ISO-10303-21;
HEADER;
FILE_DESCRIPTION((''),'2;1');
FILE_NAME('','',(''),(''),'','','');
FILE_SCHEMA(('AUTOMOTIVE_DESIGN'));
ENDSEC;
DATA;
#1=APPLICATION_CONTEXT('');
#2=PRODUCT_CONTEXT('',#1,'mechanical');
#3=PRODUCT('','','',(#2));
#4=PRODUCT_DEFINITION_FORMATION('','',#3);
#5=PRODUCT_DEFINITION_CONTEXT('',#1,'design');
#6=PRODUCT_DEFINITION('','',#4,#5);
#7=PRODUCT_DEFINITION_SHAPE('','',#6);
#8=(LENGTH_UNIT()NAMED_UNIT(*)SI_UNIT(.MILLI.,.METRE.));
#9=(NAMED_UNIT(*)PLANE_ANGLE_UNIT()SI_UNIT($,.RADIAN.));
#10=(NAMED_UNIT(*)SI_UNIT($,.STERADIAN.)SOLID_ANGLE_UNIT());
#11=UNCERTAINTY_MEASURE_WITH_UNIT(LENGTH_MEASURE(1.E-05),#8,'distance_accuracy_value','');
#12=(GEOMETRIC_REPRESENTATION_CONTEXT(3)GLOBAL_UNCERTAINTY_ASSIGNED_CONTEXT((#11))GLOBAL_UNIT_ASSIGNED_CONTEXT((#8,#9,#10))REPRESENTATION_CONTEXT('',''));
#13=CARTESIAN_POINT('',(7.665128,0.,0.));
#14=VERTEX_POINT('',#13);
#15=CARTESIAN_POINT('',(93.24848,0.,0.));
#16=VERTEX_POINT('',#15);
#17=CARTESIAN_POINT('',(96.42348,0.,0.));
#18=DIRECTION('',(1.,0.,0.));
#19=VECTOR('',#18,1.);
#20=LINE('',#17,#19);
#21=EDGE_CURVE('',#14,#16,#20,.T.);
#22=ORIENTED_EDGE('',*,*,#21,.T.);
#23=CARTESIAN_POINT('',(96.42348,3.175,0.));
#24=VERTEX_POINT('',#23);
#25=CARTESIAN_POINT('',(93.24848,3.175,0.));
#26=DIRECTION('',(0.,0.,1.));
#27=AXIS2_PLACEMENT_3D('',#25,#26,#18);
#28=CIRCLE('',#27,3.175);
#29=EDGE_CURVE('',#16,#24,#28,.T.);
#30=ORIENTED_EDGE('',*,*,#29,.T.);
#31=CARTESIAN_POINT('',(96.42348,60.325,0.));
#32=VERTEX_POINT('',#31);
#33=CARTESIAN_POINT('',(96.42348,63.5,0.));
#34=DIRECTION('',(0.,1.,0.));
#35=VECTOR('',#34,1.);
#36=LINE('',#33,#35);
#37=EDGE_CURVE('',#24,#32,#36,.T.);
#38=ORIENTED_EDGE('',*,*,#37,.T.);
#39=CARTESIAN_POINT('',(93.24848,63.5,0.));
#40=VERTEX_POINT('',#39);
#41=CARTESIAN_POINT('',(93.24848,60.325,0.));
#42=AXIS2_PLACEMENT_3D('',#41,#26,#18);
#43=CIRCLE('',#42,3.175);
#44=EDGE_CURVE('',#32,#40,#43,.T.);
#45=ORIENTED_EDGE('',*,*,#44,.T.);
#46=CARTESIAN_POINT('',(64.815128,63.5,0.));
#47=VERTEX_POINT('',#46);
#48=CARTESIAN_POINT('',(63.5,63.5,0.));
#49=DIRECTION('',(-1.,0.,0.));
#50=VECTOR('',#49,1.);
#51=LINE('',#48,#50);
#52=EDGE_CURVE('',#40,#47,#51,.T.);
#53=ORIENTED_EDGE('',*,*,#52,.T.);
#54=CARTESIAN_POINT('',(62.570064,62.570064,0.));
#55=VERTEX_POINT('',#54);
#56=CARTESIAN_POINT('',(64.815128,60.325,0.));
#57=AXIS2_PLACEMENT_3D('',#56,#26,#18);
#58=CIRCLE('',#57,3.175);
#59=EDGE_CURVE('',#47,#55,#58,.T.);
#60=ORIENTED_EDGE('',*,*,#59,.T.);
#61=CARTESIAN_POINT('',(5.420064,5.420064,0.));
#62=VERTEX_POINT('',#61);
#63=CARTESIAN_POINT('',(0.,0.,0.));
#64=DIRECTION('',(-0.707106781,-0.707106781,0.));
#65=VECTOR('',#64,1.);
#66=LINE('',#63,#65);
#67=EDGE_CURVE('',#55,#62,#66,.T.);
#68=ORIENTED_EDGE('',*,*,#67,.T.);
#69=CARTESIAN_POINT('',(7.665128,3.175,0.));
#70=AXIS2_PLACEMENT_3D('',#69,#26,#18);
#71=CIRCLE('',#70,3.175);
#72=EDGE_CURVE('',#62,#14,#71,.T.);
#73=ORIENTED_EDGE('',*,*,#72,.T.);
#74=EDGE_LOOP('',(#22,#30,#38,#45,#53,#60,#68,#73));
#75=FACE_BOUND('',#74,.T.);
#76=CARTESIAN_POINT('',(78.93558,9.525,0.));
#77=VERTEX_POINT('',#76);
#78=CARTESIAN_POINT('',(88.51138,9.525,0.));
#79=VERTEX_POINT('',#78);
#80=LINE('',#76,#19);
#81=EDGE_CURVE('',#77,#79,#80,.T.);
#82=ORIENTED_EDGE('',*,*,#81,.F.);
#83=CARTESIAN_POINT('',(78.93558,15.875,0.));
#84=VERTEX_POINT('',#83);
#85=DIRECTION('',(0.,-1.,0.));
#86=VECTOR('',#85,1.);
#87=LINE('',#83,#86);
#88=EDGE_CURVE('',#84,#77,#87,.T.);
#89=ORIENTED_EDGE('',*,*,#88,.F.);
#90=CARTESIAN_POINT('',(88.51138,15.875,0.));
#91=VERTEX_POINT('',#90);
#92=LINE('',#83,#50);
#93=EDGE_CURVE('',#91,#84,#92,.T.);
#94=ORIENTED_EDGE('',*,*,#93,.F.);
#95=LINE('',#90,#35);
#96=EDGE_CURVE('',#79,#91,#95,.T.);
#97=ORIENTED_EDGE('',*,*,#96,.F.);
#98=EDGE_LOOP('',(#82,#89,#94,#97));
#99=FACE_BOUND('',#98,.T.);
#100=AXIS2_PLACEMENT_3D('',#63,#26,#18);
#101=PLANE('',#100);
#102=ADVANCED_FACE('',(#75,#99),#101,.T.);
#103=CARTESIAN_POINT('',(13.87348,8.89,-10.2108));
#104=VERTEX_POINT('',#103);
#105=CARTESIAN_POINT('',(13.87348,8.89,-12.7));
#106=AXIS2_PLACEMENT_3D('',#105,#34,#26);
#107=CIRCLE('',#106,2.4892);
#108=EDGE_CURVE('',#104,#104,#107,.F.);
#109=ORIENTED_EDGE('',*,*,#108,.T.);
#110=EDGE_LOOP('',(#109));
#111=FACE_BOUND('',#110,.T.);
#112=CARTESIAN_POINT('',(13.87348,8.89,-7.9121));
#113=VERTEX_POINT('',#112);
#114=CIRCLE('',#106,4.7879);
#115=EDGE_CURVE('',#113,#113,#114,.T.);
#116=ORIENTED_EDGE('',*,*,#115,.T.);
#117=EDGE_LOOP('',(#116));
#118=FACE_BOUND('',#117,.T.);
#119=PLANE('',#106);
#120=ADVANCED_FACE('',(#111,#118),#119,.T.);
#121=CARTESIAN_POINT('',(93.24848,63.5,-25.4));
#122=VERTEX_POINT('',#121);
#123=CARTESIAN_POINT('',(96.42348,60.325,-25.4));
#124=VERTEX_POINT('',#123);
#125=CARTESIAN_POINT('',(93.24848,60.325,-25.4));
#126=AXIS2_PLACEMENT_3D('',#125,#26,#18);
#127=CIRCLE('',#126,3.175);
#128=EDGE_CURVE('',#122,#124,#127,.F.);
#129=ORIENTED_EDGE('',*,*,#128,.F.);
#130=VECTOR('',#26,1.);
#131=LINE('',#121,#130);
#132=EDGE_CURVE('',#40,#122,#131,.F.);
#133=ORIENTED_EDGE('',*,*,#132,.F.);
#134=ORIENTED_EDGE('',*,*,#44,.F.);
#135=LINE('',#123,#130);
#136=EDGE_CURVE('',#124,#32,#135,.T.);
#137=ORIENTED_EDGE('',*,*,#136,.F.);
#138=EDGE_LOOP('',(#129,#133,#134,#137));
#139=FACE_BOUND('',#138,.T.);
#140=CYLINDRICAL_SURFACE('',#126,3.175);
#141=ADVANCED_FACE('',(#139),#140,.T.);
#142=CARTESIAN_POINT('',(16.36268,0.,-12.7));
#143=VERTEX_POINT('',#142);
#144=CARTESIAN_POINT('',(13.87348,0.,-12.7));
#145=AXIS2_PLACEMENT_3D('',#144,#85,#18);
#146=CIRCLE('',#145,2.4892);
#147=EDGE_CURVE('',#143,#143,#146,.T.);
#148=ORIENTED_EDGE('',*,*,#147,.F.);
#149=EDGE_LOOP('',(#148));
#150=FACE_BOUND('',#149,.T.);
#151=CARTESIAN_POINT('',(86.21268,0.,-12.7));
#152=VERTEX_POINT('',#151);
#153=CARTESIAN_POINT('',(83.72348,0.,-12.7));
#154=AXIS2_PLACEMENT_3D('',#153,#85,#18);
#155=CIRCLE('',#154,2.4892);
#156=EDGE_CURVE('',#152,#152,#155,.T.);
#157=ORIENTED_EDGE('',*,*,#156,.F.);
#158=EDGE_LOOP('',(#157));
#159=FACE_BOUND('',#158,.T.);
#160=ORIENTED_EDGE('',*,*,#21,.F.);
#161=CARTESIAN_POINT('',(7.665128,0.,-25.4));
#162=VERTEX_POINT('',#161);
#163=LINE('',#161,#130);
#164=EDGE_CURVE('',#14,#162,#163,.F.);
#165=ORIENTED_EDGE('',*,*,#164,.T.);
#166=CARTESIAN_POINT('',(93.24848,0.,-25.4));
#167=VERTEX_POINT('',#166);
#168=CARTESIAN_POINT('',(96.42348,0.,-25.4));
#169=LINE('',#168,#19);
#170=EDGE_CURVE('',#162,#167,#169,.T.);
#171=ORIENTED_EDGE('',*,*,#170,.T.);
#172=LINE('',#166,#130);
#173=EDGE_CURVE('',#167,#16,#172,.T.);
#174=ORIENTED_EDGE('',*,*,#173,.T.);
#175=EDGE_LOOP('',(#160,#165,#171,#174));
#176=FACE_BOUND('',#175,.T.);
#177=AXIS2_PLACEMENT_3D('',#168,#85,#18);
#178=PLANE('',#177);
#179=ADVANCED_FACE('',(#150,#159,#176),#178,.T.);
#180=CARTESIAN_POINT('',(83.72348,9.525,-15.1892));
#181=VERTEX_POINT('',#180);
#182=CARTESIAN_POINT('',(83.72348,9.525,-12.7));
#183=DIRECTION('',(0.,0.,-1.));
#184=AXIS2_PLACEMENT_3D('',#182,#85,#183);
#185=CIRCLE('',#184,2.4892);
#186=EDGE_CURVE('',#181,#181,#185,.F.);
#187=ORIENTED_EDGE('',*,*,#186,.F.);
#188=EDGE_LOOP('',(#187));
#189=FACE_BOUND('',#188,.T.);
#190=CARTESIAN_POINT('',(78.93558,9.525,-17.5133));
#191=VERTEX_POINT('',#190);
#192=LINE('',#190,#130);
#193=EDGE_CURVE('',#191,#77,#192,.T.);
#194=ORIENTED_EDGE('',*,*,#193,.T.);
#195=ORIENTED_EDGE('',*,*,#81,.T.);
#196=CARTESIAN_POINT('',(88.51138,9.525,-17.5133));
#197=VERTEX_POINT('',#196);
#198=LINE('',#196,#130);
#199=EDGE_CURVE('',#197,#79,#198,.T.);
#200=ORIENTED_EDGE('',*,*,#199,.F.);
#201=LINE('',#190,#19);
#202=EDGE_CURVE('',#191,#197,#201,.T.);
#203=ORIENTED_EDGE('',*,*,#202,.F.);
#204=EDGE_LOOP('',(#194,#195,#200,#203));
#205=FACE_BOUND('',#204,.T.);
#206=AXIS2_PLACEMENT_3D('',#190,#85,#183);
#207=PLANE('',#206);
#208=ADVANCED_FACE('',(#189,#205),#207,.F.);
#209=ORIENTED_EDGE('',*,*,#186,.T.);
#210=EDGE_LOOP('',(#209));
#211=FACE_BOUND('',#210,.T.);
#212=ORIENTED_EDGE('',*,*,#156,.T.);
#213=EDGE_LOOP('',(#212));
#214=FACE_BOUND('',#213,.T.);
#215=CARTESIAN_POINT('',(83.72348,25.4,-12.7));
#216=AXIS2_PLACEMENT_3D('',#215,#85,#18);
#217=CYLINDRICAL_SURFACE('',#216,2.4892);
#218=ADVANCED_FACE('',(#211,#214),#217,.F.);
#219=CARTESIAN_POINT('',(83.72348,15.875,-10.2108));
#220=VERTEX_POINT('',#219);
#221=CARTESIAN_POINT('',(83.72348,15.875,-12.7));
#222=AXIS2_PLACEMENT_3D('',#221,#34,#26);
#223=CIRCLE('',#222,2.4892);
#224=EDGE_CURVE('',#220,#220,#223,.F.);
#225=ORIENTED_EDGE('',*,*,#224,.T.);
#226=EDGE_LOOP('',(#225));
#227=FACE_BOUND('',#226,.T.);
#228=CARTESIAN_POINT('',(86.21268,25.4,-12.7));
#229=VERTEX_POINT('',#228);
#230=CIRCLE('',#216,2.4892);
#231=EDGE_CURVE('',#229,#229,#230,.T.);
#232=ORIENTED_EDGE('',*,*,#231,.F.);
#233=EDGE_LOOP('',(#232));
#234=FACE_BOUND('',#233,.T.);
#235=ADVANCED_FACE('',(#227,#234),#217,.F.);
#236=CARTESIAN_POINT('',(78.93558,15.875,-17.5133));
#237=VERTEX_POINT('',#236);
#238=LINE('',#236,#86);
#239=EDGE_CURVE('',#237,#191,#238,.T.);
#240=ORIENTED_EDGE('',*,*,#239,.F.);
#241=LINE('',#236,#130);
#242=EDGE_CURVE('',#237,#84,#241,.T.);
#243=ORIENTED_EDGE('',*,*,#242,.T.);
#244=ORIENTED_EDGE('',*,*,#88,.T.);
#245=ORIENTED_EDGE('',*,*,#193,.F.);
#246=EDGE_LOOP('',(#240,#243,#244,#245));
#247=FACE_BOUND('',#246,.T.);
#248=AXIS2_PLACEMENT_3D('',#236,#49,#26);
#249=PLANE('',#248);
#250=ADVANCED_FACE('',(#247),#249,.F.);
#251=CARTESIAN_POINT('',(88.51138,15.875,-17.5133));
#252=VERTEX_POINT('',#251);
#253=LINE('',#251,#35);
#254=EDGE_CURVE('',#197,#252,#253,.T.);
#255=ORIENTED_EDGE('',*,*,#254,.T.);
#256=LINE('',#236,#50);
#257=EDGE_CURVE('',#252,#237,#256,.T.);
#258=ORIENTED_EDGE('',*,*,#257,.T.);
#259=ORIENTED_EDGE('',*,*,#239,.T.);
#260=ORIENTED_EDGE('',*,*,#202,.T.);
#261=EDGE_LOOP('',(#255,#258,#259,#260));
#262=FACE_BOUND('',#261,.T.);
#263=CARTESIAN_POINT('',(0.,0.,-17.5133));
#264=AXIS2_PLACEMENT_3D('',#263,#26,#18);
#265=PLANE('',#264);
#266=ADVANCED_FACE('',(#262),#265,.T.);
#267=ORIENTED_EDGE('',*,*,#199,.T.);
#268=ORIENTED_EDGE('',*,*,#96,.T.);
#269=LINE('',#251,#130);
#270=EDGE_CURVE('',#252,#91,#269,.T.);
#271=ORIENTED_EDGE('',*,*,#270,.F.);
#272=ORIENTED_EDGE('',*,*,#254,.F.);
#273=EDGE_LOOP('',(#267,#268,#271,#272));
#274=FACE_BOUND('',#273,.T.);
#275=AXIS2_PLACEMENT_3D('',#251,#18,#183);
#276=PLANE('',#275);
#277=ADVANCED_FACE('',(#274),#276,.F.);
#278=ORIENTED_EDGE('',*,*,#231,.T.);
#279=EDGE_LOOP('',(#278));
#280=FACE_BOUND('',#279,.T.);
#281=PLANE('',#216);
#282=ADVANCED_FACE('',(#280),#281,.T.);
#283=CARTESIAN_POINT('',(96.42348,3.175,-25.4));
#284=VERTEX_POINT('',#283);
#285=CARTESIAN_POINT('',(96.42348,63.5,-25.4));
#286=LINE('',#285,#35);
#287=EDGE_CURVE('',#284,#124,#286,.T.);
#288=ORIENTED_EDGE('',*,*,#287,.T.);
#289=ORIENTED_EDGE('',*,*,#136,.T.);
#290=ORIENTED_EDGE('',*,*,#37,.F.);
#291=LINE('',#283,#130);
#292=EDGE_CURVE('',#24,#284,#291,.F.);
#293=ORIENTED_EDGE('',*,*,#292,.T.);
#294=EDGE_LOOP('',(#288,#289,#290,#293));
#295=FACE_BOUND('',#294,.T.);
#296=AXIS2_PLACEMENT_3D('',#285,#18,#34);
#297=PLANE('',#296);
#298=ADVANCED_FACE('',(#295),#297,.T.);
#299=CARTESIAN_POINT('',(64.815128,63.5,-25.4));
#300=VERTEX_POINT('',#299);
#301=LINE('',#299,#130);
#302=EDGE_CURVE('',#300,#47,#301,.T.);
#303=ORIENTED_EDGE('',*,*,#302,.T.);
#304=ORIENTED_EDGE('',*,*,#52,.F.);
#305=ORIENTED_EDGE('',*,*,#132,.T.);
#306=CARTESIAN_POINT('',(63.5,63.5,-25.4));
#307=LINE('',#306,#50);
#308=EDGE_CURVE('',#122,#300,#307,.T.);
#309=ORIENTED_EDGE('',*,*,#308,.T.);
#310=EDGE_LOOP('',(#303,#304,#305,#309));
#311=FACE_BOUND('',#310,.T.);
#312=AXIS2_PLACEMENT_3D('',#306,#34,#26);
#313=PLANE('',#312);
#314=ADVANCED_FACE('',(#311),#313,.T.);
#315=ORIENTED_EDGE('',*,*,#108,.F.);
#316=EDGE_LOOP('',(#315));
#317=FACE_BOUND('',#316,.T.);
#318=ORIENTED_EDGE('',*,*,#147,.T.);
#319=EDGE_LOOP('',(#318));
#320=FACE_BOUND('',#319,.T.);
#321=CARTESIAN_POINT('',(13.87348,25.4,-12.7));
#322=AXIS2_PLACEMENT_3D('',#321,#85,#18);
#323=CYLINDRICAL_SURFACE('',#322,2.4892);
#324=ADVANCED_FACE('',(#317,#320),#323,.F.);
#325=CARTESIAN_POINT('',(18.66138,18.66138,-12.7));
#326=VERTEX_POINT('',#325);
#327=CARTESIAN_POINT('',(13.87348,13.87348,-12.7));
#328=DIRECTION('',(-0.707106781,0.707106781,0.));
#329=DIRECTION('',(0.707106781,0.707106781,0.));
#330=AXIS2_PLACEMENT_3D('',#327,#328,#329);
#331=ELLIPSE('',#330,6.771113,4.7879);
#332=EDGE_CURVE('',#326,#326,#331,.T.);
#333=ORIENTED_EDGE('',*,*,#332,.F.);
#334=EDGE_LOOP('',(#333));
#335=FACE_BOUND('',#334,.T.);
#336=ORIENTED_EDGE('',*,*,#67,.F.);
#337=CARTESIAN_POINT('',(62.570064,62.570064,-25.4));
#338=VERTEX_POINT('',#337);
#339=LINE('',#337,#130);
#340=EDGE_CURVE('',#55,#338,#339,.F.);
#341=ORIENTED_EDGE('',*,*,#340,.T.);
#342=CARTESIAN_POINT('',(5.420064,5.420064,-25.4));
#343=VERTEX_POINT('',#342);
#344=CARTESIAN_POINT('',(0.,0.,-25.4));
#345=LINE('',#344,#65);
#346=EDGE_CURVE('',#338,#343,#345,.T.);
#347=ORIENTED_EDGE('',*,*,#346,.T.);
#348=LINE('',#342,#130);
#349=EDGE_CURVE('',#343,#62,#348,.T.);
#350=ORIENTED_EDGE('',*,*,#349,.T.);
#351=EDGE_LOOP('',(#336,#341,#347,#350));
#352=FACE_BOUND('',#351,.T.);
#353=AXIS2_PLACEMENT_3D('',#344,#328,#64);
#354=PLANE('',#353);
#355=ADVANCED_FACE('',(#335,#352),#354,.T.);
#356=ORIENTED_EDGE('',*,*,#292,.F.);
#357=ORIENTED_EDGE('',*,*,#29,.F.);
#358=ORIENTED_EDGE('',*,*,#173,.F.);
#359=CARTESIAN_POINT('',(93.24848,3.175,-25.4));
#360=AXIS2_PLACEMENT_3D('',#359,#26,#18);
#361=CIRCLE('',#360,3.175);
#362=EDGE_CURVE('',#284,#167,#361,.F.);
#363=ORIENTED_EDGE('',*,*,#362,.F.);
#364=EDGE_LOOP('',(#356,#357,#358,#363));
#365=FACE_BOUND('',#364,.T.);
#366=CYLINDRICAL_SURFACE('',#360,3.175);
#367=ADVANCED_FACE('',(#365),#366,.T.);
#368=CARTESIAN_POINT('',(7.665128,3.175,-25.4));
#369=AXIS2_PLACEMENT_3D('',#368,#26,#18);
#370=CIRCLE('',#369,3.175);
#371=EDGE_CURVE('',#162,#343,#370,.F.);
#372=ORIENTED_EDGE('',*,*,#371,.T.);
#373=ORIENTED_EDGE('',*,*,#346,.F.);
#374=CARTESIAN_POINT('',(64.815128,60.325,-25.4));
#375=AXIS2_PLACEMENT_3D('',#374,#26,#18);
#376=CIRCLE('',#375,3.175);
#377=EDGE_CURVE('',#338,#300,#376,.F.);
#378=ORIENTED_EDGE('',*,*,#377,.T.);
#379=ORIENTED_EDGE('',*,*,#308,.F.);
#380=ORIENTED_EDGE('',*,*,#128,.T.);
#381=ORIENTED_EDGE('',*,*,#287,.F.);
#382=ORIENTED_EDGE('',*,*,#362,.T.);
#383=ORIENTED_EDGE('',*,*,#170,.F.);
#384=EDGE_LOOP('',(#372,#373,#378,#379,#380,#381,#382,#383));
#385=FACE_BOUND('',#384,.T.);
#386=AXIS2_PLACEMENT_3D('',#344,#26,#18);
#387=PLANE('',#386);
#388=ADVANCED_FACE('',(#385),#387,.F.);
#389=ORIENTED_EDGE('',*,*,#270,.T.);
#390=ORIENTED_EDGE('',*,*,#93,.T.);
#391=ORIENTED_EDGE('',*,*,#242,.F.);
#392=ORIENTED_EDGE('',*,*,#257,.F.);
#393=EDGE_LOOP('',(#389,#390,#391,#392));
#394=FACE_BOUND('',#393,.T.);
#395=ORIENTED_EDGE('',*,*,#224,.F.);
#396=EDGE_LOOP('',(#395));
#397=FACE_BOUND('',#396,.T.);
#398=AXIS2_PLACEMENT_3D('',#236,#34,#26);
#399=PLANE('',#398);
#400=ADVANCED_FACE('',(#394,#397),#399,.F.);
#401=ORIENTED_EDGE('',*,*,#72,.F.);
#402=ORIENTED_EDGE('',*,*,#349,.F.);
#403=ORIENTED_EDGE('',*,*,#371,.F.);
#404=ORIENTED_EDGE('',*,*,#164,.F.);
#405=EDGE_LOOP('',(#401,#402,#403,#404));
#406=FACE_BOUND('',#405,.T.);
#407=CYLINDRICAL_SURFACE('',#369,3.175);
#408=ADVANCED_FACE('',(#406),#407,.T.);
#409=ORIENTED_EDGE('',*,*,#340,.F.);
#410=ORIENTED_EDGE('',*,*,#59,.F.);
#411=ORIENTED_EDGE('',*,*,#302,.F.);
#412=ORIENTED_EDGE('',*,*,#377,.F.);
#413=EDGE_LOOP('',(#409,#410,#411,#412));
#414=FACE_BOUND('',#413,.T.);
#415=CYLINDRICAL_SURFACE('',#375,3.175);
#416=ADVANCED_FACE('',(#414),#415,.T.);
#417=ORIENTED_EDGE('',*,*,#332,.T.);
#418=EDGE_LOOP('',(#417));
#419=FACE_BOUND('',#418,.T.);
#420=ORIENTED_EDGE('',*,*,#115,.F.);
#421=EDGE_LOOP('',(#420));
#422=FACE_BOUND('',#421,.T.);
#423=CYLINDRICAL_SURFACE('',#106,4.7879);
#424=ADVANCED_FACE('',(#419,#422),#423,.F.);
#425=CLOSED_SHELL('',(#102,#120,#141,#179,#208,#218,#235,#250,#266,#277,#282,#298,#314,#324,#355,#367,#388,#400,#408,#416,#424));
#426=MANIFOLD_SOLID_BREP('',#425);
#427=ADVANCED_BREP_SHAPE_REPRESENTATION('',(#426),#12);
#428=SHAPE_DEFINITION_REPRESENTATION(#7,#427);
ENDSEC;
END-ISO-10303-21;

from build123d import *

# Parameters (mm, degrees)
BOSS_EXTRUDE1_DEPTH = 25.4
SKETCH3_R           = 2.4892
CUT_EXTRUDE1_DEPTH  = 25.4
SKETCH5_W           = 9.5758
SKETCH5_H           = 6.35
CUT_EXTRUDE2_DEPTH  = 17.5133
SKETCH7_R           = 4.7879
CUT_EXTRUDE3_DEPTH  = 54.61
FILLET3_R           = 3.175


with BuildPart() as part:
    # Sketch1 → Boss-Extrude1 (new body)
    with BuildSketch(Plane.XY):
        Polygon((0, 0), (63.5, 63.5), (96.42348, 63.5), (96.42348, 0), align=None)
    extrude(amount=-BOSS_EXTRUDE1_DEPTH)

    # Sketch3 → Cut-Extrude1 (cut)
    with BuildSketch(Plane.XZ):
        with Locations((83.72348, -12.7)):
            Circle(SKETCH3_R)
        with Locations((13.87348, -12.7)):
            Circle(SKETCH3_R)
    extrude(amount=-CUT_EXTRUDE1_DEPTH, mode=Mode.SUBTRACT)

    # Sketch5 → Cut-Extrude2 (cut)
    with BuildSketch(Plane.XY):
        with Locations((83.72348, 12.7)):
            Rectangle(SKETCH5_W, SKETCH5_H)
    extrude(amount=-CUT_EXTRUDE2_DEPTH, mode=Mode.SUBTRACT)

    # Sketch7 → Cut-Extrude3 (cut)
    with BuildSketch(Plane(origin=(0, 63.5, 0), x_dir=(1, 0, 0), z_dir=(0, 1, 0))):
        with Locations(Location((13.87348, 12.7, 0), (0, 0, 270))):
            Circle(SKETCH7_R)
    extrude(amount=-CUT_EXTRUDE3_DEPTH, mode=Mode.SUBTRACT)

    # Fillet3
    fillet3_edges = [part.edges().sort_by_distance(p)[0] for p in [
        (0, 0, -12.7),
        (63.5, 63.5, -12.7),
        (96.42348, 63.5, -12.7),
        (96.42348, 0, -12.7),
    ]]
    fillet(fillet3_edges, radius=FILLET3_R)


solid = part.part
